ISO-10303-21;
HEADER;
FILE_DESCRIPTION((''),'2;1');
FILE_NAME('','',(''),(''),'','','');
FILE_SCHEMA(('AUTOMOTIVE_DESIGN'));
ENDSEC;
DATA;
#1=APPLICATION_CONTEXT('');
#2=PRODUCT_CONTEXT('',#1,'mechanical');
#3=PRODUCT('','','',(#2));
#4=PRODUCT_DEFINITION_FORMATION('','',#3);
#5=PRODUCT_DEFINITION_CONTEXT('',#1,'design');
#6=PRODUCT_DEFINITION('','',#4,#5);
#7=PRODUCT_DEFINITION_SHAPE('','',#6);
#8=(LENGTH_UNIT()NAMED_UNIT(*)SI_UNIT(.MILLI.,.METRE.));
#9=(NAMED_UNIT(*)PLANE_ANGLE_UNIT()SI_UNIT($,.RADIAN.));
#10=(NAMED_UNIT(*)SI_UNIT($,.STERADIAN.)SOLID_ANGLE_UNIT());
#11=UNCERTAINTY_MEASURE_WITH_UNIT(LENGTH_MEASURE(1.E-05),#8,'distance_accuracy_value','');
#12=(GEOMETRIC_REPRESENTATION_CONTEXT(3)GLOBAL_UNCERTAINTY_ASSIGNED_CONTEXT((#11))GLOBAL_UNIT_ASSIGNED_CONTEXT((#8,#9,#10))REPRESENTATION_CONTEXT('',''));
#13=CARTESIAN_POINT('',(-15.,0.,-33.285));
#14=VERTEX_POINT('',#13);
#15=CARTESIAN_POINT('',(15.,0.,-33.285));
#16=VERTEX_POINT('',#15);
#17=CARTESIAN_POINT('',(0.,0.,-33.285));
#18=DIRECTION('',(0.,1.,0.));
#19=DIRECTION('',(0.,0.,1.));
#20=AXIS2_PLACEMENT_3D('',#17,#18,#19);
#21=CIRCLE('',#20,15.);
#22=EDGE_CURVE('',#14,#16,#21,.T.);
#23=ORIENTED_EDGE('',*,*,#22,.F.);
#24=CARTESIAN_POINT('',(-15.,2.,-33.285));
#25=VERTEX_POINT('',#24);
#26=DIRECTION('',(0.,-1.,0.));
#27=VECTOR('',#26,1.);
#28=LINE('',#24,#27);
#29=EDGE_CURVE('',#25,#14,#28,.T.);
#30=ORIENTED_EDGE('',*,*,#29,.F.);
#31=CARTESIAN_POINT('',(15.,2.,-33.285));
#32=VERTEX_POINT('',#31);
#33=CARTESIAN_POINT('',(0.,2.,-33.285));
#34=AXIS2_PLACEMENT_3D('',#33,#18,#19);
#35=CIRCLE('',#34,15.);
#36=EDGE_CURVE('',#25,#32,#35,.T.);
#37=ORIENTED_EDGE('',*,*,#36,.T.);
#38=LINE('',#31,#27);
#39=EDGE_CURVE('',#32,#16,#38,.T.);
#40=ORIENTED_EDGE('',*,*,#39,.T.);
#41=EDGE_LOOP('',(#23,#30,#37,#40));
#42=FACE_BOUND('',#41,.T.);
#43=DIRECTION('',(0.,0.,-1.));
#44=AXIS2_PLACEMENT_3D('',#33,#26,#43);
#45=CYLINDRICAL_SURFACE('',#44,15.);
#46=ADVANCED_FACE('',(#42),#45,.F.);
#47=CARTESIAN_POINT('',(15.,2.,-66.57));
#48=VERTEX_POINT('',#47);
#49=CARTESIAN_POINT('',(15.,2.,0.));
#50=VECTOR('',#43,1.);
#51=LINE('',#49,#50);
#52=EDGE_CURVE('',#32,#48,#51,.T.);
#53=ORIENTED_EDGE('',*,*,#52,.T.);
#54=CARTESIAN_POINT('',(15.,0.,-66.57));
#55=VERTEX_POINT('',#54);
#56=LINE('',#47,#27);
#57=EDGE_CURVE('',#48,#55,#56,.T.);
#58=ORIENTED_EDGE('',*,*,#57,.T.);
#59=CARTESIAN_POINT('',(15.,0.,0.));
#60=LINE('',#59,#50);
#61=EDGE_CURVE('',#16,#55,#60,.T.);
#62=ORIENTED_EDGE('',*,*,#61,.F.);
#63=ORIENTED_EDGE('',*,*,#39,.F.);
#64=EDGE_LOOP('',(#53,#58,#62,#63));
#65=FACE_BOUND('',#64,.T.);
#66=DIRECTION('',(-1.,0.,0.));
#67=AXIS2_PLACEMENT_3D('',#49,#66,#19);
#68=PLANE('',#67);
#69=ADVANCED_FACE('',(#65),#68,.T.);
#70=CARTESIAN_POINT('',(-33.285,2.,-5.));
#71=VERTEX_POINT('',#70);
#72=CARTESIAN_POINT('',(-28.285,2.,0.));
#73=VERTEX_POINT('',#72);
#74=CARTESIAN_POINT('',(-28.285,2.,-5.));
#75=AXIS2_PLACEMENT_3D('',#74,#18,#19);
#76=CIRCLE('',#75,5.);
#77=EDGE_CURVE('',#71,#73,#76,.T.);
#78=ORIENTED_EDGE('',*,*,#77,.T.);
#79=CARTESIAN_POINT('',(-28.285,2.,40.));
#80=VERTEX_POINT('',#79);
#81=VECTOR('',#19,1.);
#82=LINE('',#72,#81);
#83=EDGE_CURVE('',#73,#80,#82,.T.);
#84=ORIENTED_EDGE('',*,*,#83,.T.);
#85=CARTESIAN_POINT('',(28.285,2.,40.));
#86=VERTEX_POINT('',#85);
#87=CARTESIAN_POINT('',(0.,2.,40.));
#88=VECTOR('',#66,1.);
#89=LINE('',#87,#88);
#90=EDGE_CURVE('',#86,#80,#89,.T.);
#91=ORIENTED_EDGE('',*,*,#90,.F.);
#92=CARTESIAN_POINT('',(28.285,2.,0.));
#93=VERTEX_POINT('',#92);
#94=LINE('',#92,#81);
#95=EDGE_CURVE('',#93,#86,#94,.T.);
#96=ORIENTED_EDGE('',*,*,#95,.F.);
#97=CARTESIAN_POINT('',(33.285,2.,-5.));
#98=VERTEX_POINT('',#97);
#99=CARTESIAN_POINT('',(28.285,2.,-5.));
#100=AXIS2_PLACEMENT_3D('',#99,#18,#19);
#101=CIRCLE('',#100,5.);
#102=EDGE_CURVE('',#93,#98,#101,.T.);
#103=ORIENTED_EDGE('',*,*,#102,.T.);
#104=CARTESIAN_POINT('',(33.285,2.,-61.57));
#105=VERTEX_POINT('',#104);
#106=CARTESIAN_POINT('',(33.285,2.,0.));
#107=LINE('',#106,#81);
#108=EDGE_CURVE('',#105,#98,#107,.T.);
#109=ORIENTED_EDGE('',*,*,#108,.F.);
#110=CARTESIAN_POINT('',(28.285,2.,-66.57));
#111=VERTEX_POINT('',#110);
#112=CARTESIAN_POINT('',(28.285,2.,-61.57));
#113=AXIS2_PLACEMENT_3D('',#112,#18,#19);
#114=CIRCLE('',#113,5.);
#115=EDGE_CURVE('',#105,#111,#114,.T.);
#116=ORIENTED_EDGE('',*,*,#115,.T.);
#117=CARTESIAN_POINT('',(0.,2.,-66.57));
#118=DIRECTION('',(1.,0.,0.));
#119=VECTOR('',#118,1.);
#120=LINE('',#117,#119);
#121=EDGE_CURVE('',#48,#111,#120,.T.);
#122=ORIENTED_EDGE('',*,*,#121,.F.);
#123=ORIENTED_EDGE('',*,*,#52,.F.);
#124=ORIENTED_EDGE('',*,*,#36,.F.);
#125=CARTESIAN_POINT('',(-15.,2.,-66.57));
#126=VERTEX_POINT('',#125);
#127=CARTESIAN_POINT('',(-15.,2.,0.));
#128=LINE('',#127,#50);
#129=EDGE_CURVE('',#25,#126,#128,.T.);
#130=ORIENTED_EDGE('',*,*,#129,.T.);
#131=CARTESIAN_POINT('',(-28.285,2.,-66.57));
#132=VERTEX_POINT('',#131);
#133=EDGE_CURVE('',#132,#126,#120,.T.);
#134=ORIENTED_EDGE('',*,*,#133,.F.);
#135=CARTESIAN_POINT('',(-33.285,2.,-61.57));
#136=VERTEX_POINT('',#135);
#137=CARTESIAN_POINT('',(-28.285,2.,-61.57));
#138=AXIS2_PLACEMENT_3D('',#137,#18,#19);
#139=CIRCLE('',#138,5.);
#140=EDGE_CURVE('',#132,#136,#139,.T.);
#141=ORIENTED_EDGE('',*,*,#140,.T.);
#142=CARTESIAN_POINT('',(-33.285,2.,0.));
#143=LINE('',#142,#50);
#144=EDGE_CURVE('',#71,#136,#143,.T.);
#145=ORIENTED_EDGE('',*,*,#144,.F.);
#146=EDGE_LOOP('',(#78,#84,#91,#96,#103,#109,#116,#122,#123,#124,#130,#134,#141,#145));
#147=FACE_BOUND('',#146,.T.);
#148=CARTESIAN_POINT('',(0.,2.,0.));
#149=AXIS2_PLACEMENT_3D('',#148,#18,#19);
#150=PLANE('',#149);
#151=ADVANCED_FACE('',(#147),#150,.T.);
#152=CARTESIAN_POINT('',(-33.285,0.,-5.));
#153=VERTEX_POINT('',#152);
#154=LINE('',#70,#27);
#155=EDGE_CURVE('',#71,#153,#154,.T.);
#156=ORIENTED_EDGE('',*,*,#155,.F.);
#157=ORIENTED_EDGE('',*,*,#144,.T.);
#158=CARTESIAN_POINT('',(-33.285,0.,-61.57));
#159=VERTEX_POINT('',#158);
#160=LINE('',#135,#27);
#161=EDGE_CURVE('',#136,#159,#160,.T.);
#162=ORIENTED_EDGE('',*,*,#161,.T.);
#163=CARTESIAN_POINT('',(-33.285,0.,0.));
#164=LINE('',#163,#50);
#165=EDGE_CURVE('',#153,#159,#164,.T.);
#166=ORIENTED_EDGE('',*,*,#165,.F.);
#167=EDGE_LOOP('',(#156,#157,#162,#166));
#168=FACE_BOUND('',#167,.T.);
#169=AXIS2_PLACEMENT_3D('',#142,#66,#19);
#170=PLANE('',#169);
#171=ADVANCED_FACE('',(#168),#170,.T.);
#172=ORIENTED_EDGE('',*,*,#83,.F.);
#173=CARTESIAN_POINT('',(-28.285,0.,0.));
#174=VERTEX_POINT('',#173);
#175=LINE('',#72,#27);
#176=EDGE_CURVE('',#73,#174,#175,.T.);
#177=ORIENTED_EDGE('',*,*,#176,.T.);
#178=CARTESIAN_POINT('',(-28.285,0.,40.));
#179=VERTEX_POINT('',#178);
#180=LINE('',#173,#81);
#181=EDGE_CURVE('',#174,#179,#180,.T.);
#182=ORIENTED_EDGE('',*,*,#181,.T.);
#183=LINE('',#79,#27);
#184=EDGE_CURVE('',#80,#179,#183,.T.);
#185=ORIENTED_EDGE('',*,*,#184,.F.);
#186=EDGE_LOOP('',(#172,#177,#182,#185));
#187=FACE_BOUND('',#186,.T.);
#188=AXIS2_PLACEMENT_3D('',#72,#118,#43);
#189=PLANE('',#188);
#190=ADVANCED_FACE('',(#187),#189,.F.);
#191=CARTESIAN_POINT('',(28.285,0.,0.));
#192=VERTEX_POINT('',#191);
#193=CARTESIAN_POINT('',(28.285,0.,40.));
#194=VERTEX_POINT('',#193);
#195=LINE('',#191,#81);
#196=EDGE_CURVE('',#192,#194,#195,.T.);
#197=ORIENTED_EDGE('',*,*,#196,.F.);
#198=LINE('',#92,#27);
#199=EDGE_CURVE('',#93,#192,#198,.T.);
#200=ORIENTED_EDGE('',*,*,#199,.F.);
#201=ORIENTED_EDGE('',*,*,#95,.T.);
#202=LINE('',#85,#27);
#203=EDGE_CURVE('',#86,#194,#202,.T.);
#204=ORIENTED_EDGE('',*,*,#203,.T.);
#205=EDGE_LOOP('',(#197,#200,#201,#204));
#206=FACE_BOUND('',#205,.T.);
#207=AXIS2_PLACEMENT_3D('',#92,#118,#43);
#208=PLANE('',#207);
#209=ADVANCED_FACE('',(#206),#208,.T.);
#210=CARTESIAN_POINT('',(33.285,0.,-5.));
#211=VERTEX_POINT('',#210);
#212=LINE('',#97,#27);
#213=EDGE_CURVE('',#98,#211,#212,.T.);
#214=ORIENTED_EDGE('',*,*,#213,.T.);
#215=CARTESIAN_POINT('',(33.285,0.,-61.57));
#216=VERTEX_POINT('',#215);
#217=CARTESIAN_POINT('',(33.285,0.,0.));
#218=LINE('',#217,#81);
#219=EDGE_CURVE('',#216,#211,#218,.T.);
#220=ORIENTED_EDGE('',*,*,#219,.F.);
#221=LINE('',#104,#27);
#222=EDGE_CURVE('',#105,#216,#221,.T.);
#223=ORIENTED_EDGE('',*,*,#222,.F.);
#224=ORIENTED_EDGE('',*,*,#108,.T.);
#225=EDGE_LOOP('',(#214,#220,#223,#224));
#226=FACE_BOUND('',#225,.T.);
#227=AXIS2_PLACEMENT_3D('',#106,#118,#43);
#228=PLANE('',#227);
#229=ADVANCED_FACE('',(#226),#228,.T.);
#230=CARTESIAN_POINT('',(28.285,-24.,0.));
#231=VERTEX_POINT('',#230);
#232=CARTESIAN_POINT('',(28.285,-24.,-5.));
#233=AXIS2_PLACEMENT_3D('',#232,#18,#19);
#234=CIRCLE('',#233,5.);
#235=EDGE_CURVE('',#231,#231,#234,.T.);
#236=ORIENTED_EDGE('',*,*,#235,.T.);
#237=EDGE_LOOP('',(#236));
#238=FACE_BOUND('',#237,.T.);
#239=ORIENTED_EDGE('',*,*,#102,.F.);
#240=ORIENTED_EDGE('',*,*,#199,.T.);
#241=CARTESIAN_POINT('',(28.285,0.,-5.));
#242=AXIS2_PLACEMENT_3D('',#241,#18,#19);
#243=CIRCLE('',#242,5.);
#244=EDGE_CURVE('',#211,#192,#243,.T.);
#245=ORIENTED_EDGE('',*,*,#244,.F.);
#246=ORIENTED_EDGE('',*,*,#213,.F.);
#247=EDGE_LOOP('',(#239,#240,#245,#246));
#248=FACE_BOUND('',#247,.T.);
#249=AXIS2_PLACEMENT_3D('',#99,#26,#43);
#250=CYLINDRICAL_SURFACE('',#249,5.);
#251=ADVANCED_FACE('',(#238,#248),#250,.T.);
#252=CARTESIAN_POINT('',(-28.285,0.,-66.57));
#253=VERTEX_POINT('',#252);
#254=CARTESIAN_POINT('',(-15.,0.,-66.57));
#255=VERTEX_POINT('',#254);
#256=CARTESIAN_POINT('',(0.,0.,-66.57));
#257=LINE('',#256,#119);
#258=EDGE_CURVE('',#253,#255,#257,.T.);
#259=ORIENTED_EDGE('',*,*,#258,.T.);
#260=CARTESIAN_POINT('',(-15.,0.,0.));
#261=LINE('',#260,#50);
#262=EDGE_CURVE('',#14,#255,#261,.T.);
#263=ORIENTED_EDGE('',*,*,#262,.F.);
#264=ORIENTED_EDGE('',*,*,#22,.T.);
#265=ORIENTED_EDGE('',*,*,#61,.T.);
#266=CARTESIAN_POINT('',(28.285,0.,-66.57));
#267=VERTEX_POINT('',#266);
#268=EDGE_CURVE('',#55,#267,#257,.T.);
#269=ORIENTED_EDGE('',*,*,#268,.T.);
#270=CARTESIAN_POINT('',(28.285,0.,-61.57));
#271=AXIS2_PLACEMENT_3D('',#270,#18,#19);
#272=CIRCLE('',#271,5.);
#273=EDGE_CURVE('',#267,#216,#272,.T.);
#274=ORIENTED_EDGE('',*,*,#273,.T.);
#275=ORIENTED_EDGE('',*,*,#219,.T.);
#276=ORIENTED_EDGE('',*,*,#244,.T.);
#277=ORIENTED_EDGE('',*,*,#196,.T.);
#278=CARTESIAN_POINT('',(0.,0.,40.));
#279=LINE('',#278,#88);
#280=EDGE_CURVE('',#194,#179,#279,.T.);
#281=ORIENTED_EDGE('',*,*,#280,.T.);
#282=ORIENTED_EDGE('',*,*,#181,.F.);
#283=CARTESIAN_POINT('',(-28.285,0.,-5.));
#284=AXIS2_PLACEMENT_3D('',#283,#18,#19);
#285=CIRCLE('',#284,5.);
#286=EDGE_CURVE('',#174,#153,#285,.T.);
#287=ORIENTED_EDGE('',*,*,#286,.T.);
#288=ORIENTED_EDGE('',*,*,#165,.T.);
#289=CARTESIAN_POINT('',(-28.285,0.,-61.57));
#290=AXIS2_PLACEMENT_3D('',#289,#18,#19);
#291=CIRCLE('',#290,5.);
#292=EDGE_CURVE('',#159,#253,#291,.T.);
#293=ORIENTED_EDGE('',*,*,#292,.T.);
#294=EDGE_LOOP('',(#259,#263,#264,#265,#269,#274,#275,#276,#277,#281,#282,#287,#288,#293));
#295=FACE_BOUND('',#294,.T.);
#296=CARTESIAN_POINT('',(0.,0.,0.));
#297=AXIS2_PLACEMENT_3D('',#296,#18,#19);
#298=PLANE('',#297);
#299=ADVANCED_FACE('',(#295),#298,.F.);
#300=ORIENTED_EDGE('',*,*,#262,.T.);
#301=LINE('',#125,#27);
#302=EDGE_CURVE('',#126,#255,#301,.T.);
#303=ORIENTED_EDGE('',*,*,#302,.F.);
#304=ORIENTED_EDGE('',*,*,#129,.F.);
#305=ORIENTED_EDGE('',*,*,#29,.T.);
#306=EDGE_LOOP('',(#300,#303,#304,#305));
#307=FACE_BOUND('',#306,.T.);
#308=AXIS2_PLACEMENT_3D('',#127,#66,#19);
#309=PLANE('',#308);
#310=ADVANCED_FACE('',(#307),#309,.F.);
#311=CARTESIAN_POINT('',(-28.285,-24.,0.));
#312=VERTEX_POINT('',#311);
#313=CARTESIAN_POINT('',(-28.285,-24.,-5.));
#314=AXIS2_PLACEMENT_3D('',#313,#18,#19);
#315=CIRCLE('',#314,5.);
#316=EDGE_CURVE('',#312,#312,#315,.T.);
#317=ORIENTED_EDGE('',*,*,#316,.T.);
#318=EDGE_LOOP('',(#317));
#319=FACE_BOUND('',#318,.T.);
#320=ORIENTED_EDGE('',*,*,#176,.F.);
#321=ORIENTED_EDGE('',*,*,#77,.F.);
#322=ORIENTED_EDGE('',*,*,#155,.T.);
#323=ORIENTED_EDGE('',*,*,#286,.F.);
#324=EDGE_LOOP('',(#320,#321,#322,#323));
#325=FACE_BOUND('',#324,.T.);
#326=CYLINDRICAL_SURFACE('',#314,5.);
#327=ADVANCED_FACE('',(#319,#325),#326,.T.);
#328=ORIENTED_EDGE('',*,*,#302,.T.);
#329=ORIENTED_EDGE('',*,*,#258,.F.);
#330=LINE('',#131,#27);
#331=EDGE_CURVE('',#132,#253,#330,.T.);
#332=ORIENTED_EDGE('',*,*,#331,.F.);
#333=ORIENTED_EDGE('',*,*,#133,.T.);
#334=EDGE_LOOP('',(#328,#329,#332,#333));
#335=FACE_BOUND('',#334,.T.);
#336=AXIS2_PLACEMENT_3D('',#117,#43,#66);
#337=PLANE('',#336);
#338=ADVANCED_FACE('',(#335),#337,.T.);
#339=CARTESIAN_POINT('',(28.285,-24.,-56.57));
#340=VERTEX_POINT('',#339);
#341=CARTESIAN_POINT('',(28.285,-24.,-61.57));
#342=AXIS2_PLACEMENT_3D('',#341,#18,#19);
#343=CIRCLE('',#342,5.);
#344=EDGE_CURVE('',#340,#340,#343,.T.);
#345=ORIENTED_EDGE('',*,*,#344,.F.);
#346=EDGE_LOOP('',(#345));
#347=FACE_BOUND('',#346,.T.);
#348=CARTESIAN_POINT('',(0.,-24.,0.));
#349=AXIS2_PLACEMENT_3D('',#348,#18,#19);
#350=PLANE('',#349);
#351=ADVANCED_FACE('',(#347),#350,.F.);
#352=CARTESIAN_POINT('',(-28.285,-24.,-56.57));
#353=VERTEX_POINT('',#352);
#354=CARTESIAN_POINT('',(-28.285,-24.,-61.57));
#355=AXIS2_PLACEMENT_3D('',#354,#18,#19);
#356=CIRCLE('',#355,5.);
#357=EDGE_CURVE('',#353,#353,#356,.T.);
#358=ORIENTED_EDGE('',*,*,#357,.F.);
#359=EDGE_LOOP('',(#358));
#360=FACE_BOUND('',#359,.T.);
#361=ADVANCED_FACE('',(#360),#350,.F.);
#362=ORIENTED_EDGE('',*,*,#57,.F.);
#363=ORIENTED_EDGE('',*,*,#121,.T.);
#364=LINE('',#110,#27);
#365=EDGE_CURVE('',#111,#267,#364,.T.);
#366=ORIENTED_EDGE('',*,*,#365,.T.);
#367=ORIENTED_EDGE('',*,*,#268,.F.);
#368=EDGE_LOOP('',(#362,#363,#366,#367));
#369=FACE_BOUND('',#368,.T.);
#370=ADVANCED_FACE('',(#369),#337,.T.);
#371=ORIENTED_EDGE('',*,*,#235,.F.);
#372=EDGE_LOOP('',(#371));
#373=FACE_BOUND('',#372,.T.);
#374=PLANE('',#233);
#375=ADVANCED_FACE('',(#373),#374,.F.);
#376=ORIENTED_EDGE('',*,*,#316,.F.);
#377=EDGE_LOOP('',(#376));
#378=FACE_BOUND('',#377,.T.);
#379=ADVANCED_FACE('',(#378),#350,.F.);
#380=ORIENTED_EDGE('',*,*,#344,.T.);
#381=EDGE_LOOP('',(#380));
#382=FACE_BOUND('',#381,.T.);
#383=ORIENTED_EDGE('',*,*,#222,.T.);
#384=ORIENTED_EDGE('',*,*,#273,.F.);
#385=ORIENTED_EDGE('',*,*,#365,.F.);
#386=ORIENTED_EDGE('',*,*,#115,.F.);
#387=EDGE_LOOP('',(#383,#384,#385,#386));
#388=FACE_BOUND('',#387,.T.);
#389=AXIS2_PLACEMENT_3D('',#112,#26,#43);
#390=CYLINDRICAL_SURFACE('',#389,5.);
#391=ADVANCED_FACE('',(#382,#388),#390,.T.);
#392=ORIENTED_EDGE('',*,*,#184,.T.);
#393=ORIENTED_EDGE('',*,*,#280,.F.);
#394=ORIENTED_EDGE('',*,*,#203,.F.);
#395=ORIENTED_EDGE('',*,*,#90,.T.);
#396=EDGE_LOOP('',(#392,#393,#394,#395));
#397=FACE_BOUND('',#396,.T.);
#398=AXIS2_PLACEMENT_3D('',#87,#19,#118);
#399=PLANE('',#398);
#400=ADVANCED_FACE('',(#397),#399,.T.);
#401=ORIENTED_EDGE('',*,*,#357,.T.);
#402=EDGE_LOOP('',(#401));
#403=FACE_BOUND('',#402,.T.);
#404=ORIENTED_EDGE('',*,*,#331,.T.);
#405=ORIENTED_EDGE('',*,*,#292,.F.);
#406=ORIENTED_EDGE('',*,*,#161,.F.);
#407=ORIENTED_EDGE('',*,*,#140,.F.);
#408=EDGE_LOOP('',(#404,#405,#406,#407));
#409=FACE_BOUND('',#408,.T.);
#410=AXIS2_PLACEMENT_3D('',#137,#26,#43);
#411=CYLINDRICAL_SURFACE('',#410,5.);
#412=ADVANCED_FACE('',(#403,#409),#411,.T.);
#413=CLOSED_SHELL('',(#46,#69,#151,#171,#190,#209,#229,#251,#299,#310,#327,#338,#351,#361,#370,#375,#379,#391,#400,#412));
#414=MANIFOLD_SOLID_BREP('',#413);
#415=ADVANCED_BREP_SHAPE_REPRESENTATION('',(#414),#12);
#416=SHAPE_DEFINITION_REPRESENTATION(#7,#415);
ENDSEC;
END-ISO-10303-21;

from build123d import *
from build123d.topology import SkipClean

# Parameters (mm, degrees)
SKETCH1_R             = 5
BOSS_EXTRUDE1_DEPTH   = 24
BOSS_EXTRUDE1_2_DEPTH = 24
BOSS_EXTRUDE1_3_DEPTH = 24
BOSS_EXTRUDE1_4_DEPTH = 24
BOSS_EXTRUDE3_START   = 2
BOSS_EXTRUDE3_DEPTH   = 2


with BuildPart() as part:
    # Sketch1 → Boss-Extrude1 (new body)
    with BuildSketch(Plane(origin=(0, 0, 0), x_dir=(1, 0, 0), z_dir=(0, 1, 0))):
        with Locations((-28.285, 61.57)):
            Circle(SKETCH1_R)
    extrude(amount=-BOSS_EXTRUDE1_DEPTH)



with BuildPart() as body_2:
    # Sketch1 → Boss-Extrude1 2 (new body)
    with BuildSketch(Plane(origin=(0, 0, 0), x_dir=(1, 0, 0), z_dir=(0, 1, 0))):
        with Locations((28.285, 61.57)):
            Circle(SKETCH1_R)
    extrude(amount=-BOSS_EXTRUDE1_2_DEPTH)


with BuildPart() as body_3:
    # Sketch1 → Boss-Extrude1 3 (new body)
    with BuildSketch(Plane(origin=(0, 0, 0), x_dir=(1, 0, 0), z_dir=(0, 1, 0))):
        with Locations((-28.285, 5)):
            Circle(SKETCH1_R)
    extrude(amount=-BOSS_EXTRUDE1_3_DEPTH)


with BuildPart() as body_4:
    # Sketch1 → Boss-Extrude1 4 (new body)
    with BuildSketch(Plane(origin=(0, 0, 0), x_dir=(1, 0, 0), z_dir=(0, 1, 0))):
        with Locations((28.285, 5)):
            Circle(SKETCH1_R)
    extrude(amount=-BOSS_EXTRUDE1_4_DEPTH)


with BuildPart() as part_1:
    with SkipClean():  # the faces are left unmerged after this step: merging them gives an invalid solid
        add(part.part)

        add(body_2.part)  # Boss-Extrude3 merges body 2

        add(body_3.part)  # Boss-Extrude3 merges body 3

        add(body_4.part)  # Boss-Extrude3 merges body 4
        # Sketch1<5> → Boss-Extrude3 (add)
        with BuildSketch(Plane(origin=(0, 0, 0), x_dir=(1, 0, 0), z_dir=(0, 1, 0)).offset(BOSS_EXTRUDE3_START)):
            with BuildLine():
                ThreePointArc((15, 33.285), (0, 18.285), (-15, 33.285))
                Line((-15, 33.285), (-15, 66.57))
                Line((-15, 66.57), (-28.285, 66.57))
                ThreePointArc((-28.285, 66.57), (-31.820533906, 65.105533906), (-33.285, 61.57))
                Line((-33.285, 61.57), (-33.285, 5))
                ThreePointArc((-33.285, 5), (-31.820533906, 1.464466094), (-28.285, 0))
                Line((-28.285, 0), (-28.285, -40))
                Line((-28.285, -40), (28.285, -40))
                Line((28.285, -40), (28.285, 0))
                ThreePointArc((28.285, 0), (31.820533906, 1.464466094), (33.285, 5))
                Line((33.285, 5), (33.285, 61.57))
                ThreePointArc((33.285, 61.57), (31.820533906, 65.105533906), (28.285, 66.57))
                Line((28.285, 66.57), (15, 66.57))
                Line((15, 66.57), (15, 33.285))
            make_face()
        extrude(amount=-BOSS_EXTRUDE3_DEPTH)


solid = part_1.part
